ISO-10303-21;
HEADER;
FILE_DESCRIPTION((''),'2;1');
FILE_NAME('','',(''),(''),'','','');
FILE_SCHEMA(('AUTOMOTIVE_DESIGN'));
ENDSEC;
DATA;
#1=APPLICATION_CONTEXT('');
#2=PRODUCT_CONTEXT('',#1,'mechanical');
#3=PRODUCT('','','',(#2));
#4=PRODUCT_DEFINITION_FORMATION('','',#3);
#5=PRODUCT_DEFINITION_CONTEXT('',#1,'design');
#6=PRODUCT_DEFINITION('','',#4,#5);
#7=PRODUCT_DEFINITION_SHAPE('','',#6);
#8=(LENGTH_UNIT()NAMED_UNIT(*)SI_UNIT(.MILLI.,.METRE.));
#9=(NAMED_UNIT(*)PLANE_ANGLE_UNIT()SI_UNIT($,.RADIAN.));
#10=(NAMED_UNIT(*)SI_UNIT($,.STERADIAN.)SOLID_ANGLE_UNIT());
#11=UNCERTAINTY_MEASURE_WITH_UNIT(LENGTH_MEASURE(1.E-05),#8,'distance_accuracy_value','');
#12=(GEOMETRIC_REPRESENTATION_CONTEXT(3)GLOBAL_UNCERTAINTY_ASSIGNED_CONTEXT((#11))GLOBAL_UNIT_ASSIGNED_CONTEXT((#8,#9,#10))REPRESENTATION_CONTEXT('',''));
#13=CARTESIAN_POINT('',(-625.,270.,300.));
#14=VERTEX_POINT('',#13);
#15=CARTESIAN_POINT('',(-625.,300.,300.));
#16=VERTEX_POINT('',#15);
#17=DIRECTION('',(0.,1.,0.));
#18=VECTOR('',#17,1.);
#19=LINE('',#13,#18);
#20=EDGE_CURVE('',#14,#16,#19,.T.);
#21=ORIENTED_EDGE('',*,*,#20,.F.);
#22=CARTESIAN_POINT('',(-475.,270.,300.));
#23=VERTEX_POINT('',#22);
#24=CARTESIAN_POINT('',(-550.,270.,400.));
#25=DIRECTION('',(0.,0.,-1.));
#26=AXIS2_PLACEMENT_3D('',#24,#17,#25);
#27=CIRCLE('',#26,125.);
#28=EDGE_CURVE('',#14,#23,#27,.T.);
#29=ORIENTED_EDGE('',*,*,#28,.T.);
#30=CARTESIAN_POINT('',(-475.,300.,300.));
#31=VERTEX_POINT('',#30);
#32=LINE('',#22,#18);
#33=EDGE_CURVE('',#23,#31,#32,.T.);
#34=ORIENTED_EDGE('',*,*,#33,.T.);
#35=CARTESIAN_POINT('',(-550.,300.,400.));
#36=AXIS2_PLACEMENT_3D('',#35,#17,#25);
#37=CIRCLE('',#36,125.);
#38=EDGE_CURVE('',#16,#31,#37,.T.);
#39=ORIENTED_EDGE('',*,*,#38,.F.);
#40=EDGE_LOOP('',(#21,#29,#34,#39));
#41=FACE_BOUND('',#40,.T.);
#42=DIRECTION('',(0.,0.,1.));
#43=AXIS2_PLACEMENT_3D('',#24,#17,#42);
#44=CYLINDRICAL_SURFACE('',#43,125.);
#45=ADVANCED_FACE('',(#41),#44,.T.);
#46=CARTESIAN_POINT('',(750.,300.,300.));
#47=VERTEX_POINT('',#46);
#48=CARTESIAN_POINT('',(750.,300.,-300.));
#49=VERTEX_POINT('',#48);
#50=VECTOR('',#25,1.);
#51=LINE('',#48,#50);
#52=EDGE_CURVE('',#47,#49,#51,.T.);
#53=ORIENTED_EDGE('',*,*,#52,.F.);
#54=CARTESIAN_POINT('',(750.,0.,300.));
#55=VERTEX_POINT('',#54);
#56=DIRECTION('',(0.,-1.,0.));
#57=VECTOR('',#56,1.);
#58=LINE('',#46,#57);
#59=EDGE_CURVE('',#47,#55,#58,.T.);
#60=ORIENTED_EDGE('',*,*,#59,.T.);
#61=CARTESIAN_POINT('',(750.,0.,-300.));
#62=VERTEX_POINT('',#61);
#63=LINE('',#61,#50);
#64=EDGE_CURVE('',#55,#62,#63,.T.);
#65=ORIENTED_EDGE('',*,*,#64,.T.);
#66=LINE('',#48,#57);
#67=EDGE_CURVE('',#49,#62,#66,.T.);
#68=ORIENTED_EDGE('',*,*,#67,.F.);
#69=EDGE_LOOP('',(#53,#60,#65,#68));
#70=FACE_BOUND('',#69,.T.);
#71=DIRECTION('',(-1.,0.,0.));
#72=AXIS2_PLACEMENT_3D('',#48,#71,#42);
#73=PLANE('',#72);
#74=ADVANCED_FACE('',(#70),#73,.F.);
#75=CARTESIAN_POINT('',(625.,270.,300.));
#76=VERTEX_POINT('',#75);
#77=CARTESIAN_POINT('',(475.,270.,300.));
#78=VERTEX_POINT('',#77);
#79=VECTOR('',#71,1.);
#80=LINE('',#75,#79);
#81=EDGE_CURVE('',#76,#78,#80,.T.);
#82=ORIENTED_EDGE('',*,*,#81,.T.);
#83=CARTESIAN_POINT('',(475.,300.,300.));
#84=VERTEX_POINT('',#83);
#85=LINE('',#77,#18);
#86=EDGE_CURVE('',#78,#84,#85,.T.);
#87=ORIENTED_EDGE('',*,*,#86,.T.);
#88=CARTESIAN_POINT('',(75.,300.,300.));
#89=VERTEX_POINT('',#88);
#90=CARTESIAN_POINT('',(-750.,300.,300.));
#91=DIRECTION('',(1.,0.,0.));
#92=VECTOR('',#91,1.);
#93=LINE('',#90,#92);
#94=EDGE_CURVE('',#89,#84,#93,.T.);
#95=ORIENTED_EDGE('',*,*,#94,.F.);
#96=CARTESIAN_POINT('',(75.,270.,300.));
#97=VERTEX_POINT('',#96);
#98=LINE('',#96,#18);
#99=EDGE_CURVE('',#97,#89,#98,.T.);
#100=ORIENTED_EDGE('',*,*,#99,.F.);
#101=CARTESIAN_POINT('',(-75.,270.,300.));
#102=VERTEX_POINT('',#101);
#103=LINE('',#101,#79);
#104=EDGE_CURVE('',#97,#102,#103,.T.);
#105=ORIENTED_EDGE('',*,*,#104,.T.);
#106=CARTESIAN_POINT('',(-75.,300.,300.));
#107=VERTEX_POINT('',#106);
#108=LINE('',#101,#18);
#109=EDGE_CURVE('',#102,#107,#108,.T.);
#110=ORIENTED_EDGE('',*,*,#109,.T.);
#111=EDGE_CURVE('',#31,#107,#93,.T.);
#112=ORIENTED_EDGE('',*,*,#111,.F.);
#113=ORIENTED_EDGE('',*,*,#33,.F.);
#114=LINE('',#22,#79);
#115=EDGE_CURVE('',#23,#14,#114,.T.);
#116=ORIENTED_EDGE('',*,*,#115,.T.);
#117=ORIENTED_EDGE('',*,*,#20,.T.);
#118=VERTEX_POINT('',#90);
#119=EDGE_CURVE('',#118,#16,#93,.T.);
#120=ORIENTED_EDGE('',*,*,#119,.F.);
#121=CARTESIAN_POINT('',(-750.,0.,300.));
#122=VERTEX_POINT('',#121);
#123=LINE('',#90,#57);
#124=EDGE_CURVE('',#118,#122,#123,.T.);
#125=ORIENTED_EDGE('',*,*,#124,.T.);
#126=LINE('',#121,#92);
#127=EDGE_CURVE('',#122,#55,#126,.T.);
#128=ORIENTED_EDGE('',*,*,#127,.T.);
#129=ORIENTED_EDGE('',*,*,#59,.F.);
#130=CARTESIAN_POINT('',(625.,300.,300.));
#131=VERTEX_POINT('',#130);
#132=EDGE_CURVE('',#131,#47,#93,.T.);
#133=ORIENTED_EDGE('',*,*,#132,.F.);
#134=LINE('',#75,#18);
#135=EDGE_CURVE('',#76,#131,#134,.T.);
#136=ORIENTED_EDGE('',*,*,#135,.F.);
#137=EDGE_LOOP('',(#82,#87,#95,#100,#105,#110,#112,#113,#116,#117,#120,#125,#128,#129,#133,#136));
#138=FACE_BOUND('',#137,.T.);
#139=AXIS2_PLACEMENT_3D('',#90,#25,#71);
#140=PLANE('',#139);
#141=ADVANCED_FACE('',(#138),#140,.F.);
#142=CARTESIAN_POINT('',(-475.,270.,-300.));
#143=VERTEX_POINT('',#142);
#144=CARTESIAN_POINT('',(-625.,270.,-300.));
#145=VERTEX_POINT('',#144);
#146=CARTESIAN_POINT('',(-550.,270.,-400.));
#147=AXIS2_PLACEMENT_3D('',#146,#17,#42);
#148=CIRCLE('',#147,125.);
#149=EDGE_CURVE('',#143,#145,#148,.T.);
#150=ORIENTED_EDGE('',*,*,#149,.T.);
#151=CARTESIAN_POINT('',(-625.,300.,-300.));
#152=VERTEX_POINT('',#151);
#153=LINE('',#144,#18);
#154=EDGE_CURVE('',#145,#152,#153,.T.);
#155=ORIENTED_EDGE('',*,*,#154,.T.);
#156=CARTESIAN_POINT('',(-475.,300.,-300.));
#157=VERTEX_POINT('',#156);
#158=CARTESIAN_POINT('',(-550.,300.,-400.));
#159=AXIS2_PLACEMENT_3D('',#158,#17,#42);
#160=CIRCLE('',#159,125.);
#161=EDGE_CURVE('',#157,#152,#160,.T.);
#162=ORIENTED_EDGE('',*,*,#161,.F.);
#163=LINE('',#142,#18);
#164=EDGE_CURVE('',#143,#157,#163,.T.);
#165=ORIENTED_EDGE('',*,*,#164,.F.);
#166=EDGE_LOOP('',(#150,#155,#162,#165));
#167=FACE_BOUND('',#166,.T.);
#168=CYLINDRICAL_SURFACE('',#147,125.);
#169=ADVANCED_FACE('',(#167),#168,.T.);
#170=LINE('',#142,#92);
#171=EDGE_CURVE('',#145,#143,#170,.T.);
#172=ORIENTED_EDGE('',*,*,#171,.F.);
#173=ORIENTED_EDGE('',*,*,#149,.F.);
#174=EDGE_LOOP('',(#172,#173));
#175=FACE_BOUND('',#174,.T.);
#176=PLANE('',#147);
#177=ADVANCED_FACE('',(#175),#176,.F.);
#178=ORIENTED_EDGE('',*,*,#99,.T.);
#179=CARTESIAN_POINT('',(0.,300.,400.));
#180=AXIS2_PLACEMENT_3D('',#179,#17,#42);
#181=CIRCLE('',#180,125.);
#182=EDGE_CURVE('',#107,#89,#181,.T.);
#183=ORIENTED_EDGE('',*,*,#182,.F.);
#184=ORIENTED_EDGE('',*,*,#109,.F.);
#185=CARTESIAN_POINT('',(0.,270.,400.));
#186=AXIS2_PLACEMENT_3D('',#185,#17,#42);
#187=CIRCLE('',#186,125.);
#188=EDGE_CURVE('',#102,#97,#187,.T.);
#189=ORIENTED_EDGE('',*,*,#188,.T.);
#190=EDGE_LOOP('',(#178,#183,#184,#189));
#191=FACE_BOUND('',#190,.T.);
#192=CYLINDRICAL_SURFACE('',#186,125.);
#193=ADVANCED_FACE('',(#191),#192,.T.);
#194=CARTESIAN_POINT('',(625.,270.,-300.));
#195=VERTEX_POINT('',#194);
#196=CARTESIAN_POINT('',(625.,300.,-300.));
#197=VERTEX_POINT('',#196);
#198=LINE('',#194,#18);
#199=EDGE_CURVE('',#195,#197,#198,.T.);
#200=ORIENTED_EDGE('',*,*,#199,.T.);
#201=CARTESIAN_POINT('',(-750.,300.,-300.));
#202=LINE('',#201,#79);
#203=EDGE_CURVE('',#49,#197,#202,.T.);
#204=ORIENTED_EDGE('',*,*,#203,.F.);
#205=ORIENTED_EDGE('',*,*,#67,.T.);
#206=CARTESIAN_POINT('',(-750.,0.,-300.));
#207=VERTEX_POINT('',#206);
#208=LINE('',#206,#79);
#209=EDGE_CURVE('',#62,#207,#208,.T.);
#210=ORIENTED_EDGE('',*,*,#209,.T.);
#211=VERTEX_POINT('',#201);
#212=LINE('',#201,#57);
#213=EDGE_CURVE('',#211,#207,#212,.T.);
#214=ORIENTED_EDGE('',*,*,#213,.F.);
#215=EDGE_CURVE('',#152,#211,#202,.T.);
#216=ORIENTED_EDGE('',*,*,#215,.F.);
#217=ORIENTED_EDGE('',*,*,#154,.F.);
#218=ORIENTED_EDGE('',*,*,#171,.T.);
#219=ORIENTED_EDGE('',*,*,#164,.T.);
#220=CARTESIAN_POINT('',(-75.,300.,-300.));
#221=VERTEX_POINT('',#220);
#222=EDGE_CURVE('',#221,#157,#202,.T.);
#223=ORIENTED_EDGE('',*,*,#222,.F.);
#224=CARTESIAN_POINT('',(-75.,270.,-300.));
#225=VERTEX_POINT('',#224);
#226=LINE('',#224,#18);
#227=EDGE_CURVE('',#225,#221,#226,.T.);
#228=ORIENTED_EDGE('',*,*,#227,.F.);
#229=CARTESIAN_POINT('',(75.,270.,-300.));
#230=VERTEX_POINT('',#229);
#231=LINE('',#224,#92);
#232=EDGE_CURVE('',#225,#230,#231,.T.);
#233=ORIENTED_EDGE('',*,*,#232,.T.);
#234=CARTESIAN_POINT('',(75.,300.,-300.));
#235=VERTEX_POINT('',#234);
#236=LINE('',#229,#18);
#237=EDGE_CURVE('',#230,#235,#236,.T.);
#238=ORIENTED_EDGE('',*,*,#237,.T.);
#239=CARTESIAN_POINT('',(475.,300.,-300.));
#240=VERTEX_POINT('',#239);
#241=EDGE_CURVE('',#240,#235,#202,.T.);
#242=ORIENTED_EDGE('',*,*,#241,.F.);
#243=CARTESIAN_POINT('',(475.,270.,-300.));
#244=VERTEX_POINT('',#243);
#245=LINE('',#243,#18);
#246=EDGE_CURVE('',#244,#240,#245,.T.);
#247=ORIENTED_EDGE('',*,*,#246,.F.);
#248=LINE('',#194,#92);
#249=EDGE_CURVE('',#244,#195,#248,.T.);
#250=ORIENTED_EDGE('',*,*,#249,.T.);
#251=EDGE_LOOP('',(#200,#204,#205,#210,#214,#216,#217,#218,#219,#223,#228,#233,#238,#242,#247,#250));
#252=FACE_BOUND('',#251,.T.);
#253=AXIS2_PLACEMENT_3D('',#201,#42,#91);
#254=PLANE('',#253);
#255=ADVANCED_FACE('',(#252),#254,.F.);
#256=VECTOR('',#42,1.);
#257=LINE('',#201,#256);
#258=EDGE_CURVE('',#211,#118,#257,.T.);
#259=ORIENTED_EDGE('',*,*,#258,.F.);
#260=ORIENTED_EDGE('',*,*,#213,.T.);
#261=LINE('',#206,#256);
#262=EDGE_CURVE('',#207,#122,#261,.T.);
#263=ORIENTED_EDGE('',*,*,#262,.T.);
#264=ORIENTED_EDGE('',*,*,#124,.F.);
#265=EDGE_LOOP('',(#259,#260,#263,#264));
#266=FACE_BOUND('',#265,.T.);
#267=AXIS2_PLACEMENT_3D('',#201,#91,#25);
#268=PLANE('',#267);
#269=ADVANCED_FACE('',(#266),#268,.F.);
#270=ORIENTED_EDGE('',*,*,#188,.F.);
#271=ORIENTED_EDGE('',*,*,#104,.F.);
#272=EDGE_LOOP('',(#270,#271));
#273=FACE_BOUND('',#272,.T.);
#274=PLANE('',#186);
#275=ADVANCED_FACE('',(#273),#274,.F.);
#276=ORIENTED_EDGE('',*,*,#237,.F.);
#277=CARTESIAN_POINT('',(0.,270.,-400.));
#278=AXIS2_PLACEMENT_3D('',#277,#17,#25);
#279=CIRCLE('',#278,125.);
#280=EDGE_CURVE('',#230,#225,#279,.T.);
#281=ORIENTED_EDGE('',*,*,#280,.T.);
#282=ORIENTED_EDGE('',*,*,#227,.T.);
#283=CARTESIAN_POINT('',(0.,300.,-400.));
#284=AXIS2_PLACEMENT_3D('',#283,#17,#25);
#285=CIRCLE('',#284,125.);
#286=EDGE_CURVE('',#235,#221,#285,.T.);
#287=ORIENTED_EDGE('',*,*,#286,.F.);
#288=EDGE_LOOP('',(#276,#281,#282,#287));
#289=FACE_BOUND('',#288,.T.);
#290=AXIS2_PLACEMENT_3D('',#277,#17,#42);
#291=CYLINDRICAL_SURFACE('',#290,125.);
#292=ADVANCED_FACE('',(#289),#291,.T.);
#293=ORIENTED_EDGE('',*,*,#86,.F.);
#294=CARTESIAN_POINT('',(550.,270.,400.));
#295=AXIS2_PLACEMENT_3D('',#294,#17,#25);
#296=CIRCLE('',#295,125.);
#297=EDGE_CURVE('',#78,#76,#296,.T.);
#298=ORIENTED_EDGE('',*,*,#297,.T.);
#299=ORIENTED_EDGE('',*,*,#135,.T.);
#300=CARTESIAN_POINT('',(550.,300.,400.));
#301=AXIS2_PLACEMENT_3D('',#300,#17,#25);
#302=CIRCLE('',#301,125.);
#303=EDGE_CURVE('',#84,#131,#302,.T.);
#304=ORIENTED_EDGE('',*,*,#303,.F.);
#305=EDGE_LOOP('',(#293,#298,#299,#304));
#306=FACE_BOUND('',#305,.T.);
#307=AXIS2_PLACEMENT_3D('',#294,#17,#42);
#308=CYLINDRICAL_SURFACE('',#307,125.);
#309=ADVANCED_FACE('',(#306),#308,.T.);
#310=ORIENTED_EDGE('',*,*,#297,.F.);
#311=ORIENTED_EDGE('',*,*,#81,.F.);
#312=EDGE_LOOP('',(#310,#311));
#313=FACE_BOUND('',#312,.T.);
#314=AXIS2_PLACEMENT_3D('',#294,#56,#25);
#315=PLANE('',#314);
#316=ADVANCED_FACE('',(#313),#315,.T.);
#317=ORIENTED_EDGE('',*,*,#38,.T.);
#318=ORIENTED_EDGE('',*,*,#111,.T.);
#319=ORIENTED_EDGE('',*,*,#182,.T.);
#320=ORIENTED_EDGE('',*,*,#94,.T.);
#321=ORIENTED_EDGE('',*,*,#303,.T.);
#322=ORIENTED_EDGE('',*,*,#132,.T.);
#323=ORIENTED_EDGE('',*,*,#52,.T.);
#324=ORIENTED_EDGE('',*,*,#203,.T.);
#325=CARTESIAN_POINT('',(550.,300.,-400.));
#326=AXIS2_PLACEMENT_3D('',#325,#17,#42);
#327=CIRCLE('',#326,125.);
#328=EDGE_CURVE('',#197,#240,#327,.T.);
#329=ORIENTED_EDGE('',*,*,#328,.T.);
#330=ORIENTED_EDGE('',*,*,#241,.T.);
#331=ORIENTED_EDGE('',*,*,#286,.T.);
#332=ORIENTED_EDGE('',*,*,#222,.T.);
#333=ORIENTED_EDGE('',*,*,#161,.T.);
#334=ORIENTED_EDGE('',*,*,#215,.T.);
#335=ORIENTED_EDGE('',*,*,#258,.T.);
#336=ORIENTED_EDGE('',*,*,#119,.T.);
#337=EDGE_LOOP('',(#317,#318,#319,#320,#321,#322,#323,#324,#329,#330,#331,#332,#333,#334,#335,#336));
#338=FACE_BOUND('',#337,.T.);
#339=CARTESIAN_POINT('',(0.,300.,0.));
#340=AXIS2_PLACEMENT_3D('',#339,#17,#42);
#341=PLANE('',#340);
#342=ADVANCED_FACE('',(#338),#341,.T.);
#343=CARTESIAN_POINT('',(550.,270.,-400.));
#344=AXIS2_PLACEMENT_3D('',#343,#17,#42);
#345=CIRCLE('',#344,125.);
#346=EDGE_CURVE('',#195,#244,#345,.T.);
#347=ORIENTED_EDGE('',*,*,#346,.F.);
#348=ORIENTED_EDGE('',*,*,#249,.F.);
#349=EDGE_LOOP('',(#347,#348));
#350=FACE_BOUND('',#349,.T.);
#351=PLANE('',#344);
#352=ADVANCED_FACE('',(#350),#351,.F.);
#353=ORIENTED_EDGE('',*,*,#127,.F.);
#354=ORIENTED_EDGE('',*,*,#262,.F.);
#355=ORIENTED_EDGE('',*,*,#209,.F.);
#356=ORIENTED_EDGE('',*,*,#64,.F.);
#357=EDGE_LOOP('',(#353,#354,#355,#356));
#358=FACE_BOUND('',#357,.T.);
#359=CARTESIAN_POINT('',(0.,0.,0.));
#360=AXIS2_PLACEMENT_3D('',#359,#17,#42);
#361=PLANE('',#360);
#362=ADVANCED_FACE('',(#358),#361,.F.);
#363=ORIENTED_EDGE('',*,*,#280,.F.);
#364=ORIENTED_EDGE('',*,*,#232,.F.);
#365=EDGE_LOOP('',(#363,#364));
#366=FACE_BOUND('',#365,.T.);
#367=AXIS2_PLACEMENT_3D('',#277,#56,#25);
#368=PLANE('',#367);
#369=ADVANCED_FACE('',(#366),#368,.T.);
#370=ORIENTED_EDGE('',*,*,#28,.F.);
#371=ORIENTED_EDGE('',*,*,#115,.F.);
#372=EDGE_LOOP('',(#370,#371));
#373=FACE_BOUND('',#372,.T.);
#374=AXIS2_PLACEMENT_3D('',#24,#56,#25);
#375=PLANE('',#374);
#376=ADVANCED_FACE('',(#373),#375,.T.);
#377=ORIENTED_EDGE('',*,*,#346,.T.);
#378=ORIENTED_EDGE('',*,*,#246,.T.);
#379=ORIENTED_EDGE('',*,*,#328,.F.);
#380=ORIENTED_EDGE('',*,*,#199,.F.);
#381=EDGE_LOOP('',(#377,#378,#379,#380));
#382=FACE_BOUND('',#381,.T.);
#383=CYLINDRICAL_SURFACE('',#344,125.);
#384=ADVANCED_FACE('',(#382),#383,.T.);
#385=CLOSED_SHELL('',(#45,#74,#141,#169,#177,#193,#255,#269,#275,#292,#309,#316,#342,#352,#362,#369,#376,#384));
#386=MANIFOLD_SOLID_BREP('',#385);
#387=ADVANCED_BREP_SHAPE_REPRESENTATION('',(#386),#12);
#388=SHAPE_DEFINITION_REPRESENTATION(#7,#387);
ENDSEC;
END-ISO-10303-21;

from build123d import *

# Parameters (mm, degrees)
SKETCH1_W           = 1500
SKETCH1_H           = 600
BOSS_EXTRUDE1_DEPTH = 300
BOSS_EXTRUDE2_DEPTH = 30


with BuildPart() as part:
    # Sketch1 → Boss-Extrude1 (new body)
    with BuildSketch(Plane(origin=(0, 0, 0), x_dir=(1, 0, 0), z_dir=(0, 1, 0))):
        Rectangle(SKETCH1_W, SKETCH1_H)
    extrude(amount=BOSS_EXTRUDE1_DEPTH)

    # Sketch2 → Boss-Extrude2 (add)
    with BuildSketch(Plane(origin=(0, 300, 0), x_dir=(1, 0, 0), z_dir=(0, 1, 0))):
        with BuildLine():
            Line((-75, -300), (75, -300))
            ThreePointArc((75, -300), (0, -525), (-75, -300))
        make_face()
        with BuildLine():
            Line((-75, 300), (75, 300))
            ThreePointArc((75, 300), (0, 525), (-75, 300))
        make_face()
        with BuildLine():
            Line((625, -300), (475, -300))
            ThreePointArc((475, -300), (550, -525), (625, -300))
        make_face()
        with BuildLine():
            Line((625, 300), (475, 300))
            ThreePointArc((475, 300), (550, 525), (625, 300))
        make_face()
        with BuildLine():
            Line((-475, -300), (-625, -300))
            ThreePointArc((-625, -300), (-550, -525), (-475, -300))
        make_face()
        with BuildLine():
            Line((-475, 300), (-625, 300))
            ThreePointArc((-625, 300), (-550, 525), (-475, 300))
        make_face()
    extrude(amount=-BOSS_EXTRUDE2_DEPTH)


solid = part.part
